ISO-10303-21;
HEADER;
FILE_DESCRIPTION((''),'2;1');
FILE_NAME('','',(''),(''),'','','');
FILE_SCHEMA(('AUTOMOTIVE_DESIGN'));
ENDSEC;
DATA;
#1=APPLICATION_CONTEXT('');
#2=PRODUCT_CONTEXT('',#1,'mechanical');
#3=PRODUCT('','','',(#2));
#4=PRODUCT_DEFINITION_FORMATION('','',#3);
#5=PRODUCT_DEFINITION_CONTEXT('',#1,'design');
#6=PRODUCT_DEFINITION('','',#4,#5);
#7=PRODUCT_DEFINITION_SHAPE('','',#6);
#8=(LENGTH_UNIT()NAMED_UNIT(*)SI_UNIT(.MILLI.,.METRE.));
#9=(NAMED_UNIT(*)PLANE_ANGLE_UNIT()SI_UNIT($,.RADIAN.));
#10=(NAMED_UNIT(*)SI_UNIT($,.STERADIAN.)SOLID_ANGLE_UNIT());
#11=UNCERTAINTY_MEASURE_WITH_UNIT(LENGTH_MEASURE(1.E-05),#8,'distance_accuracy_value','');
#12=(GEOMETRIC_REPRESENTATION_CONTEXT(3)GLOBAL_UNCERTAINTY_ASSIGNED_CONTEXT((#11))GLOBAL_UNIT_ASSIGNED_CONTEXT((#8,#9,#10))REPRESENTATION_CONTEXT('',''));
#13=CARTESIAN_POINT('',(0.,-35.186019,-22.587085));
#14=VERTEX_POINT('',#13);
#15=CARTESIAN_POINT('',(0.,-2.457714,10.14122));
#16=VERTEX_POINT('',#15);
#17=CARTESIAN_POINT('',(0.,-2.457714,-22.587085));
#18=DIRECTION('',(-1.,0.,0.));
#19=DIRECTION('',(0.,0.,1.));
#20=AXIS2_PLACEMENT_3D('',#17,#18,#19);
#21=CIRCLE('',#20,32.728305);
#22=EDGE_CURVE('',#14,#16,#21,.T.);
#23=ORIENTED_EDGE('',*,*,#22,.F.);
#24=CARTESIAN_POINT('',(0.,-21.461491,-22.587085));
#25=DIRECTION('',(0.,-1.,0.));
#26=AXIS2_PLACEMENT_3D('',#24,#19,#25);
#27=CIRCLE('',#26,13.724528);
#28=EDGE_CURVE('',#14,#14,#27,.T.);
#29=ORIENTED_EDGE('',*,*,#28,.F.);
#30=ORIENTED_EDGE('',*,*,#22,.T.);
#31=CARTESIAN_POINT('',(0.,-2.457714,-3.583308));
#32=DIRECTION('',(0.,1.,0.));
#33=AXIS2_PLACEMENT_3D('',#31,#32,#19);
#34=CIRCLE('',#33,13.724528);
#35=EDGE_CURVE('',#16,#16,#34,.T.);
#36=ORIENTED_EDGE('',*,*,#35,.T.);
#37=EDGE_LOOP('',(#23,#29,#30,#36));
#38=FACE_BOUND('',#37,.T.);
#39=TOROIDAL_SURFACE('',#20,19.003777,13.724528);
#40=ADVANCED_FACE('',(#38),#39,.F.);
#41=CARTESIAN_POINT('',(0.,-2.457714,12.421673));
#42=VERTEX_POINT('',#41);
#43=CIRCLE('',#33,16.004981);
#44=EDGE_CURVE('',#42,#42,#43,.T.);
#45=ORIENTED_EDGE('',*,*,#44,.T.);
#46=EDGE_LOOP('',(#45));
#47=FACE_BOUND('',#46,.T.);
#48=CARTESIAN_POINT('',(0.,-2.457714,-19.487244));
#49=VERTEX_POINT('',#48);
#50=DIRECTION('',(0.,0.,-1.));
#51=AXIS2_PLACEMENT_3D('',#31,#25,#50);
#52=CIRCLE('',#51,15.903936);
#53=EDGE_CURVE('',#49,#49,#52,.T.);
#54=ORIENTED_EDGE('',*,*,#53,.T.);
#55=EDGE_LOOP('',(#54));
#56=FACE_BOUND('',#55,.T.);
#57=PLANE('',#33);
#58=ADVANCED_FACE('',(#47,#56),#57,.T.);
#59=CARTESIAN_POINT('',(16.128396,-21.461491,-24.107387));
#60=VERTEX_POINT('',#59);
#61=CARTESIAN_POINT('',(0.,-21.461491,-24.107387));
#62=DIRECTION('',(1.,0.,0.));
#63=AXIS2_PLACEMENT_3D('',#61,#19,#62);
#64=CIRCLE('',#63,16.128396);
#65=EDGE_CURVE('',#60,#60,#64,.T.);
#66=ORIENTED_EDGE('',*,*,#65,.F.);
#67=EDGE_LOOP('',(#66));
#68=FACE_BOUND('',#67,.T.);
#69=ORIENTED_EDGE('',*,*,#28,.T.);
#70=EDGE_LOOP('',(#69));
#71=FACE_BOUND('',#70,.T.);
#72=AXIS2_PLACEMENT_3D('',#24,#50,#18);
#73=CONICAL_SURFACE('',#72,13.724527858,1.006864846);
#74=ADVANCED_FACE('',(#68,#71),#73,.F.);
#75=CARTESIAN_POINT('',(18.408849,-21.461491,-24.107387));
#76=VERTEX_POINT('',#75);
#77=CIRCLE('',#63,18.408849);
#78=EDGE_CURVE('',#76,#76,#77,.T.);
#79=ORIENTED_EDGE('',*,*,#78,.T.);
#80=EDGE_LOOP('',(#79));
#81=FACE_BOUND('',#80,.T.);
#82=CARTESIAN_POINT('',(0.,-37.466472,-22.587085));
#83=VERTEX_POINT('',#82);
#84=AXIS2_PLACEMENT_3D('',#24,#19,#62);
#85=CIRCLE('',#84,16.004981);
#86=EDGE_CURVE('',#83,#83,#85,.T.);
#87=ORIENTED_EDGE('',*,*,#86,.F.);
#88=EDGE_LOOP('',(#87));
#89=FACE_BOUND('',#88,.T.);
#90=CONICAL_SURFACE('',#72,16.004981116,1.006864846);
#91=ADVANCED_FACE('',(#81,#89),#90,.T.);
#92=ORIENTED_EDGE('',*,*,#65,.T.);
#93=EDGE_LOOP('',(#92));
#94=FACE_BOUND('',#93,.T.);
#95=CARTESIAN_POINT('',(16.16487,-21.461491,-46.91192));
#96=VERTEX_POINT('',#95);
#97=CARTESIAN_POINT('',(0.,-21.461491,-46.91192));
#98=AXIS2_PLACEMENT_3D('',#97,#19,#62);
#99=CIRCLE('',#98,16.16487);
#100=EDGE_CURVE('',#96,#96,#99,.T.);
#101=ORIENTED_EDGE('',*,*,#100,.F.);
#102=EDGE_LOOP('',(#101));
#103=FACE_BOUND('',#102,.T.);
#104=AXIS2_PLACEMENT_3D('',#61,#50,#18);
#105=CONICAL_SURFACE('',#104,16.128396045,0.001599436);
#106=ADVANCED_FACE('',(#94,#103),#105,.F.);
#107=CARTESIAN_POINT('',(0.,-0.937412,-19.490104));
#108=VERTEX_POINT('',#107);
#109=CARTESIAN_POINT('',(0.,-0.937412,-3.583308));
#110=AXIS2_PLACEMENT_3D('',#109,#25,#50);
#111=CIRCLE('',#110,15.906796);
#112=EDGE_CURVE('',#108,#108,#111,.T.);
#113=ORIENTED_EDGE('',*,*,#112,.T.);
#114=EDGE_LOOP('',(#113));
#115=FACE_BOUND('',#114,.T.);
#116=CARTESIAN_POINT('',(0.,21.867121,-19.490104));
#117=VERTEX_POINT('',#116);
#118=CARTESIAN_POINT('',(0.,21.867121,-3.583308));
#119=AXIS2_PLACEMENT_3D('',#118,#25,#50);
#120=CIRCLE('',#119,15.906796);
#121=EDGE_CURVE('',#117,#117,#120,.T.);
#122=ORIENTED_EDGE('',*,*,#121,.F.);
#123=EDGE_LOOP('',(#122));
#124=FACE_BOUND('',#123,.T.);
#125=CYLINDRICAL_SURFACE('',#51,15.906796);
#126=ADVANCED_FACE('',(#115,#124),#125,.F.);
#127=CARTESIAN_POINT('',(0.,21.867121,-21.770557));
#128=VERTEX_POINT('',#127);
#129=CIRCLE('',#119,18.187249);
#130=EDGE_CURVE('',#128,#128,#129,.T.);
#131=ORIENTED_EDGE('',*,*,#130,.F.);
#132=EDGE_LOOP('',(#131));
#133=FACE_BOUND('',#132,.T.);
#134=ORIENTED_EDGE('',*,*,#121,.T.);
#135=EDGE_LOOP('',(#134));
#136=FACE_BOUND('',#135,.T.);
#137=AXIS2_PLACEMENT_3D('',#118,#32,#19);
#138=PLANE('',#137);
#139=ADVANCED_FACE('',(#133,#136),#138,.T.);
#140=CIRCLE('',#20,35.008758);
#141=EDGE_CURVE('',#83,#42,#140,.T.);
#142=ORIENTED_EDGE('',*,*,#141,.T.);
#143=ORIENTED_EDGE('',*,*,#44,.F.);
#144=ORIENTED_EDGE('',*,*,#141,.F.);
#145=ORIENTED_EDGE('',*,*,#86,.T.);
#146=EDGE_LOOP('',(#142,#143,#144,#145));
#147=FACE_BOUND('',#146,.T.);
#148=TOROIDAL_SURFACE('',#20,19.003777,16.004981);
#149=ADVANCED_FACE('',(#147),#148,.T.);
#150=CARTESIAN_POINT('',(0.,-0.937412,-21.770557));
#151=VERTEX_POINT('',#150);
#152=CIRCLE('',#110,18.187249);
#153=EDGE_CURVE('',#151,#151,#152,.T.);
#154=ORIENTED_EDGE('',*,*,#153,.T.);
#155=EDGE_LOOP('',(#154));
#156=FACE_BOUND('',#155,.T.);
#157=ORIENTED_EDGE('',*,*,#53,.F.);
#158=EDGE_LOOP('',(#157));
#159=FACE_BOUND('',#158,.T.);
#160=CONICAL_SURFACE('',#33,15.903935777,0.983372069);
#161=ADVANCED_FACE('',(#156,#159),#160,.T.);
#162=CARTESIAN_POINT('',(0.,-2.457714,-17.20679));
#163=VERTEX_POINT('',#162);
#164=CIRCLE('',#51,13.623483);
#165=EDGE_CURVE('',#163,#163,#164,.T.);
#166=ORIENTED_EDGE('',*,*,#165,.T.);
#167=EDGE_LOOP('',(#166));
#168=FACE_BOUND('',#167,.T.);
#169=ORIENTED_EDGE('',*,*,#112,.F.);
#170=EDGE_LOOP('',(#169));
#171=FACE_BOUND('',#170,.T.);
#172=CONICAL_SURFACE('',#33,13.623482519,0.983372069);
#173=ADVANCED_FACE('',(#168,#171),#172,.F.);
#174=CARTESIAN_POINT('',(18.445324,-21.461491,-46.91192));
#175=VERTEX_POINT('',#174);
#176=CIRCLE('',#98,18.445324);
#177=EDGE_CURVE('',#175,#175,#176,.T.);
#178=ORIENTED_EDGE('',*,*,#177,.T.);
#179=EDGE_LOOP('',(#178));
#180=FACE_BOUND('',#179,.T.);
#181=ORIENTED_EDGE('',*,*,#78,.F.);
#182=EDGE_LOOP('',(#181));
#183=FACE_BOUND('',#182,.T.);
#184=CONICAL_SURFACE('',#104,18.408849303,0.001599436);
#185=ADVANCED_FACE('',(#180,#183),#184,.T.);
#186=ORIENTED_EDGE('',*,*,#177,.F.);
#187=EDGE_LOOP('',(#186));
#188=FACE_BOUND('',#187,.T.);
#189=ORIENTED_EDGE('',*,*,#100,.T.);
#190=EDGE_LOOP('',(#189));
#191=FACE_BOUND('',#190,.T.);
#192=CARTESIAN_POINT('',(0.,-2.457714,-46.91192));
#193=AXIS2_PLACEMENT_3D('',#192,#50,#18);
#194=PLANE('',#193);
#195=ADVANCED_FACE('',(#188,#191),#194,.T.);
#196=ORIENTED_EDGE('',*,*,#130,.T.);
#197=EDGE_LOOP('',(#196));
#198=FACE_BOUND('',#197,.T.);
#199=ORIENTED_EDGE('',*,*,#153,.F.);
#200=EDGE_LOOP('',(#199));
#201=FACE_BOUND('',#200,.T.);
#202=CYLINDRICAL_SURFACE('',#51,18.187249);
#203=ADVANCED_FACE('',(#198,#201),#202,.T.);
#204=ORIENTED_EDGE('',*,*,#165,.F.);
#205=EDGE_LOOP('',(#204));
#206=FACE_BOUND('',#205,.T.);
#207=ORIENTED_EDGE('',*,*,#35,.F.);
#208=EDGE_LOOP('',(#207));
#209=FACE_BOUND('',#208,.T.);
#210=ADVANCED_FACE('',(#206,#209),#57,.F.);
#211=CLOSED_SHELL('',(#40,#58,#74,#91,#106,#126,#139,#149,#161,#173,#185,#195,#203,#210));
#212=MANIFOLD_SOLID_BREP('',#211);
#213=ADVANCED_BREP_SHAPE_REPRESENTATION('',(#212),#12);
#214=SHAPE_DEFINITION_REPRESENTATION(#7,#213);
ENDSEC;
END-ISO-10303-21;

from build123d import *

# Parameters (mm, degrees)
SKETCH1_R      = 21.055
SKETCH1_R_2    = 18.055
REVOLVE1_ANGLE = 90
SKETCH14_W     = 3
SKETCH14_H     = 30
SCALE1_SCALE   = 0.760151086


with BuildPart() as part:
    # Sketch1 → Revolve1 (revolve)
    with BuildSketch(Plane(origin=(0, 0, 0), x_dir=(1, 0, 0), z_dir=(0, 1, 0))):
        Circle(SKETCH1_R)
        Circle(SKETCH1_R_2, mode=Mode.SUBTRACT)
    revolve(axis=Axis((-39.148672595, 0, -25), (1, 0, 0)), revolution_arc=REVOLVE1_ANGLE)

    # Sketch14 → Revolve3 (revolve)
    with BuildSketch(Plane(origin=(0, 0, 0), x_dir=(0, 0, -1), z_dir=(1, 0, 0)), mode=Mode.PRIVATE) as revolve3_sk:
        Polygon((-23.925834548, 2), (-20.925834548, 2), (-17.922072033, 0), (-20.922072033, 0), align=None)
        with Locations((-22.425834548, 17)):
            Rectangle(SKETCH14_W, SKETCH14_H)
    revolve(revolve3_sk.sketch.rotate(Axis((0, 0, 0), (0, 1, 0)), 180), axis=Axis((0, 0, 0), (0, 1, 0)))

    # Sketch20 → Revolve4 (revolve)
    with BuildSketch(Plane(origin=(0, 0, 0), x_dir=(0, 0, -1), z_dir=(1, 0, 0)), mode=Mode.PRIVATE) as revolve4_sk:
        Polygon((27, -49.217355789), (57, -49.26533892), (57, -46.26533892), (27, -46.217355789), align=None)
        Polygon((25, -46.055), (27, -49.217355789), (27, -46.217355789), (25, -43.055), align=None)
    revolve(revolve4_sk.sketch.rotate(Axis((0, -25, -25), (0, 0, -1)), 270), axis=Axis((0, -25, -25), (0, 0, -1)))


with BuildPart() as part_1:
    # Scale1: scaled about (0, -10.246924986, -14.93985455)
    add(part.part.scale(SCALE1_SCALE).moved(Location((0, -2.45771383, -3.583307889))))


solid = part_1.part
